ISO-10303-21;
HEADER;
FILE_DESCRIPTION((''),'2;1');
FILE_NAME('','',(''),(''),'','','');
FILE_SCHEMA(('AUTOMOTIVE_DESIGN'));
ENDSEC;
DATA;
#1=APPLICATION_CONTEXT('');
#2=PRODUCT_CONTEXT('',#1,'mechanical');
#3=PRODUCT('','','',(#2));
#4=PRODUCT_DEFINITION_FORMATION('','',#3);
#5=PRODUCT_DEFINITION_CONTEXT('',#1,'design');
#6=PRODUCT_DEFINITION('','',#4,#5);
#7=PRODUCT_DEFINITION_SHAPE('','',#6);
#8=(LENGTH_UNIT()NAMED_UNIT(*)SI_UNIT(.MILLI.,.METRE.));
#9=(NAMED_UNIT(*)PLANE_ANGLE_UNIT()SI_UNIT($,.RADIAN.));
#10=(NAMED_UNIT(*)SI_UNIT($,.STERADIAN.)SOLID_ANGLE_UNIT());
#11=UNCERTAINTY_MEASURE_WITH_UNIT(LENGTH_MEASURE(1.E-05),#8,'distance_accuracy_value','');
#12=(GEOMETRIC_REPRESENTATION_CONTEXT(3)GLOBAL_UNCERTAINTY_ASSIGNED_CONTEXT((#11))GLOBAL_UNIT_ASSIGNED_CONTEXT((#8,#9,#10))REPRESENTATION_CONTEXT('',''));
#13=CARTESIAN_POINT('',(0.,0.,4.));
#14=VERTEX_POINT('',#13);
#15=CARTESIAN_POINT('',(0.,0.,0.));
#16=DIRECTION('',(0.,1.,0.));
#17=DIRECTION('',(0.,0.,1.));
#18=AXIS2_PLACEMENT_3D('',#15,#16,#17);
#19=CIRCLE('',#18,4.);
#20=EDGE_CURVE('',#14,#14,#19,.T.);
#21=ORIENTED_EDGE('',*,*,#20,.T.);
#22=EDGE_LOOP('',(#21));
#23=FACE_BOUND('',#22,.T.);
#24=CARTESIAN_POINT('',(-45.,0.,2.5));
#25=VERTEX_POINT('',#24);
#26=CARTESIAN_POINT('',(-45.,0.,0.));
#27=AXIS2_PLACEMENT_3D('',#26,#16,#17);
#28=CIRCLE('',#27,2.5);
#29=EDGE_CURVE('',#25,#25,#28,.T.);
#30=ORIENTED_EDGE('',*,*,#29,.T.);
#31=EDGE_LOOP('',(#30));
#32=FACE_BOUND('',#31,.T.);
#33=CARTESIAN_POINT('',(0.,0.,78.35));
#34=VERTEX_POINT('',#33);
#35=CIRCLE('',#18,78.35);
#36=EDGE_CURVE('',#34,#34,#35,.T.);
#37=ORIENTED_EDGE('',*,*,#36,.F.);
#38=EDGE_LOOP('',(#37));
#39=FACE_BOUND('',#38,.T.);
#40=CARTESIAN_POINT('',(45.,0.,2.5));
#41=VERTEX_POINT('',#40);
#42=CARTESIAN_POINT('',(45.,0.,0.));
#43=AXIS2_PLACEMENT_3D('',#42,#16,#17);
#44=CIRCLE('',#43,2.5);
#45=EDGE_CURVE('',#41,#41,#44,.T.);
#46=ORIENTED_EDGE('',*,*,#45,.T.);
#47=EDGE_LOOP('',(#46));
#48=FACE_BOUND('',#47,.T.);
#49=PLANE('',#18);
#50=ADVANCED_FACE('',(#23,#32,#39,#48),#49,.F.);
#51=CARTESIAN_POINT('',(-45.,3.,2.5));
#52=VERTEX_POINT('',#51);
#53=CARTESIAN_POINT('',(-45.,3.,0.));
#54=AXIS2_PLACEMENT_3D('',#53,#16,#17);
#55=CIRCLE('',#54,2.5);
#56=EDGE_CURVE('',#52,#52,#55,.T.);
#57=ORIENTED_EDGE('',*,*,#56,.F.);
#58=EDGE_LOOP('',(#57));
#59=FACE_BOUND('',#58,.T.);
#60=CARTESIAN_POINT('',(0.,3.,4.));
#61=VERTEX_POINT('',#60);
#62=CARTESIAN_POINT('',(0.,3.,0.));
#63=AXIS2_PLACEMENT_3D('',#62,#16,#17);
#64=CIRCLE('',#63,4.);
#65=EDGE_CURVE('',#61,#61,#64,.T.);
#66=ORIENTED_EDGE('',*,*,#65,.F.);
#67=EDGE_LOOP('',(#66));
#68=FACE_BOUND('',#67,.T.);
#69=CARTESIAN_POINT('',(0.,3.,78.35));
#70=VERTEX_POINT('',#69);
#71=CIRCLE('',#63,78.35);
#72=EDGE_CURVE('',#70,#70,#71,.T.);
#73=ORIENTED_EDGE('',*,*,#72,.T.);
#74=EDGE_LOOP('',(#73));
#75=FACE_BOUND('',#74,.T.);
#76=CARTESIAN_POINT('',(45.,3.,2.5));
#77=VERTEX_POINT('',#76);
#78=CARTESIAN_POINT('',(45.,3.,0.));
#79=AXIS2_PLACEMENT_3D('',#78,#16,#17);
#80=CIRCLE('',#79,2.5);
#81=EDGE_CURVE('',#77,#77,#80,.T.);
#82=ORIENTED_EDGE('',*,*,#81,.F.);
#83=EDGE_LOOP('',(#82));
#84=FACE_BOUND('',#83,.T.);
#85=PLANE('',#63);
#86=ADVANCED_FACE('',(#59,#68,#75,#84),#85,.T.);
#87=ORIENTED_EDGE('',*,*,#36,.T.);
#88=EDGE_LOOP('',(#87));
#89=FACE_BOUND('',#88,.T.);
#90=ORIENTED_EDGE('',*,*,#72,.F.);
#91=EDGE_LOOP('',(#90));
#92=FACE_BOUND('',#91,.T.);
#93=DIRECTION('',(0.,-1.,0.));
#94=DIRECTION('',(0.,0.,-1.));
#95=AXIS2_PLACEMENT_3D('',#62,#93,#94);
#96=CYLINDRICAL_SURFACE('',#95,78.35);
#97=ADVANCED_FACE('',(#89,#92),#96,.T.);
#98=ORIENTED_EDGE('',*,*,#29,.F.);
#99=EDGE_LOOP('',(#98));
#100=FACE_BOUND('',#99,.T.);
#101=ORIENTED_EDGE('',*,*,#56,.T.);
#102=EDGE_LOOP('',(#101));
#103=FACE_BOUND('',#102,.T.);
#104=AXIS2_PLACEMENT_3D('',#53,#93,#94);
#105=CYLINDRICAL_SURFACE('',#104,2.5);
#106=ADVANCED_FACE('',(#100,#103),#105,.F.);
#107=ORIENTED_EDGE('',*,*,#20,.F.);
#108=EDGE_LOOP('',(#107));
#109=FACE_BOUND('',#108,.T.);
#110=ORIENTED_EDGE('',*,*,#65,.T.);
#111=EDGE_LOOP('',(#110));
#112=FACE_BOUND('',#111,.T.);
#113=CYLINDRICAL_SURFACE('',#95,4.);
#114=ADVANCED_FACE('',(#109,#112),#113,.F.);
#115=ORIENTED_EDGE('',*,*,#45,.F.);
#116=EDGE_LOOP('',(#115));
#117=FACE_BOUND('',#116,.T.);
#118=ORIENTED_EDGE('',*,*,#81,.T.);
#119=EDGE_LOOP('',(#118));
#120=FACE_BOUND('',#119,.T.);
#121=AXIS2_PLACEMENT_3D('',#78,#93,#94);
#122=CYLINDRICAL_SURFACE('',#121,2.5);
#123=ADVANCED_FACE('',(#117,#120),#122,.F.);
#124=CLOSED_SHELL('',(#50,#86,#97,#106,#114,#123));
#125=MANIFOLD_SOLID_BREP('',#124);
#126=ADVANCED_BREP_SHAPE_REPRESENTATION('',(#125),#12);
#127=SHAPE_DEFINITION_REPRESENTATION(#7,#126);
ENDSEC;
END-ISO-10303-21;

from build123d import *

# Parameters (mm, degrees)
SKETCH1_R           = 78.35
SKETCH1_R_2         = 2.5
SKETCH1_R_3         = 4
BOSS_EXTRUDE1_DEPTH = 3


with BuildPart() as part:
    # Sketch1 → Boss-Extrude1 (new body)
    with BuildSketch(Plane(origin=(0, 0, 0), x_dir=(1, 0, 0), z_dir=(0, 1, 0))):
        with Locations(Location((0, 0, 0), (0, 0, 270))):
            Circle(SKETCH1_R)
        with Locations(Location((-45, 0, 0), (0, 0, 270))):
            Circle(SKETCH1_R_2, mode=Mode.SUBTRACT)
        with Locations(Location((45, 0, 0), (0, 0, 270))):
            Circle(SKETCH1_R_2, mode=Mode.SUBTRACT)
        with Locations(Location((0, 0, 0), (0, 0, 270))):
            Circle(SKETCH1_R_3, mode=Mode.SUBTRACT)
    extrude(amount=BOSS_EXTRUDE1_DEPTH)


solid = part.part
